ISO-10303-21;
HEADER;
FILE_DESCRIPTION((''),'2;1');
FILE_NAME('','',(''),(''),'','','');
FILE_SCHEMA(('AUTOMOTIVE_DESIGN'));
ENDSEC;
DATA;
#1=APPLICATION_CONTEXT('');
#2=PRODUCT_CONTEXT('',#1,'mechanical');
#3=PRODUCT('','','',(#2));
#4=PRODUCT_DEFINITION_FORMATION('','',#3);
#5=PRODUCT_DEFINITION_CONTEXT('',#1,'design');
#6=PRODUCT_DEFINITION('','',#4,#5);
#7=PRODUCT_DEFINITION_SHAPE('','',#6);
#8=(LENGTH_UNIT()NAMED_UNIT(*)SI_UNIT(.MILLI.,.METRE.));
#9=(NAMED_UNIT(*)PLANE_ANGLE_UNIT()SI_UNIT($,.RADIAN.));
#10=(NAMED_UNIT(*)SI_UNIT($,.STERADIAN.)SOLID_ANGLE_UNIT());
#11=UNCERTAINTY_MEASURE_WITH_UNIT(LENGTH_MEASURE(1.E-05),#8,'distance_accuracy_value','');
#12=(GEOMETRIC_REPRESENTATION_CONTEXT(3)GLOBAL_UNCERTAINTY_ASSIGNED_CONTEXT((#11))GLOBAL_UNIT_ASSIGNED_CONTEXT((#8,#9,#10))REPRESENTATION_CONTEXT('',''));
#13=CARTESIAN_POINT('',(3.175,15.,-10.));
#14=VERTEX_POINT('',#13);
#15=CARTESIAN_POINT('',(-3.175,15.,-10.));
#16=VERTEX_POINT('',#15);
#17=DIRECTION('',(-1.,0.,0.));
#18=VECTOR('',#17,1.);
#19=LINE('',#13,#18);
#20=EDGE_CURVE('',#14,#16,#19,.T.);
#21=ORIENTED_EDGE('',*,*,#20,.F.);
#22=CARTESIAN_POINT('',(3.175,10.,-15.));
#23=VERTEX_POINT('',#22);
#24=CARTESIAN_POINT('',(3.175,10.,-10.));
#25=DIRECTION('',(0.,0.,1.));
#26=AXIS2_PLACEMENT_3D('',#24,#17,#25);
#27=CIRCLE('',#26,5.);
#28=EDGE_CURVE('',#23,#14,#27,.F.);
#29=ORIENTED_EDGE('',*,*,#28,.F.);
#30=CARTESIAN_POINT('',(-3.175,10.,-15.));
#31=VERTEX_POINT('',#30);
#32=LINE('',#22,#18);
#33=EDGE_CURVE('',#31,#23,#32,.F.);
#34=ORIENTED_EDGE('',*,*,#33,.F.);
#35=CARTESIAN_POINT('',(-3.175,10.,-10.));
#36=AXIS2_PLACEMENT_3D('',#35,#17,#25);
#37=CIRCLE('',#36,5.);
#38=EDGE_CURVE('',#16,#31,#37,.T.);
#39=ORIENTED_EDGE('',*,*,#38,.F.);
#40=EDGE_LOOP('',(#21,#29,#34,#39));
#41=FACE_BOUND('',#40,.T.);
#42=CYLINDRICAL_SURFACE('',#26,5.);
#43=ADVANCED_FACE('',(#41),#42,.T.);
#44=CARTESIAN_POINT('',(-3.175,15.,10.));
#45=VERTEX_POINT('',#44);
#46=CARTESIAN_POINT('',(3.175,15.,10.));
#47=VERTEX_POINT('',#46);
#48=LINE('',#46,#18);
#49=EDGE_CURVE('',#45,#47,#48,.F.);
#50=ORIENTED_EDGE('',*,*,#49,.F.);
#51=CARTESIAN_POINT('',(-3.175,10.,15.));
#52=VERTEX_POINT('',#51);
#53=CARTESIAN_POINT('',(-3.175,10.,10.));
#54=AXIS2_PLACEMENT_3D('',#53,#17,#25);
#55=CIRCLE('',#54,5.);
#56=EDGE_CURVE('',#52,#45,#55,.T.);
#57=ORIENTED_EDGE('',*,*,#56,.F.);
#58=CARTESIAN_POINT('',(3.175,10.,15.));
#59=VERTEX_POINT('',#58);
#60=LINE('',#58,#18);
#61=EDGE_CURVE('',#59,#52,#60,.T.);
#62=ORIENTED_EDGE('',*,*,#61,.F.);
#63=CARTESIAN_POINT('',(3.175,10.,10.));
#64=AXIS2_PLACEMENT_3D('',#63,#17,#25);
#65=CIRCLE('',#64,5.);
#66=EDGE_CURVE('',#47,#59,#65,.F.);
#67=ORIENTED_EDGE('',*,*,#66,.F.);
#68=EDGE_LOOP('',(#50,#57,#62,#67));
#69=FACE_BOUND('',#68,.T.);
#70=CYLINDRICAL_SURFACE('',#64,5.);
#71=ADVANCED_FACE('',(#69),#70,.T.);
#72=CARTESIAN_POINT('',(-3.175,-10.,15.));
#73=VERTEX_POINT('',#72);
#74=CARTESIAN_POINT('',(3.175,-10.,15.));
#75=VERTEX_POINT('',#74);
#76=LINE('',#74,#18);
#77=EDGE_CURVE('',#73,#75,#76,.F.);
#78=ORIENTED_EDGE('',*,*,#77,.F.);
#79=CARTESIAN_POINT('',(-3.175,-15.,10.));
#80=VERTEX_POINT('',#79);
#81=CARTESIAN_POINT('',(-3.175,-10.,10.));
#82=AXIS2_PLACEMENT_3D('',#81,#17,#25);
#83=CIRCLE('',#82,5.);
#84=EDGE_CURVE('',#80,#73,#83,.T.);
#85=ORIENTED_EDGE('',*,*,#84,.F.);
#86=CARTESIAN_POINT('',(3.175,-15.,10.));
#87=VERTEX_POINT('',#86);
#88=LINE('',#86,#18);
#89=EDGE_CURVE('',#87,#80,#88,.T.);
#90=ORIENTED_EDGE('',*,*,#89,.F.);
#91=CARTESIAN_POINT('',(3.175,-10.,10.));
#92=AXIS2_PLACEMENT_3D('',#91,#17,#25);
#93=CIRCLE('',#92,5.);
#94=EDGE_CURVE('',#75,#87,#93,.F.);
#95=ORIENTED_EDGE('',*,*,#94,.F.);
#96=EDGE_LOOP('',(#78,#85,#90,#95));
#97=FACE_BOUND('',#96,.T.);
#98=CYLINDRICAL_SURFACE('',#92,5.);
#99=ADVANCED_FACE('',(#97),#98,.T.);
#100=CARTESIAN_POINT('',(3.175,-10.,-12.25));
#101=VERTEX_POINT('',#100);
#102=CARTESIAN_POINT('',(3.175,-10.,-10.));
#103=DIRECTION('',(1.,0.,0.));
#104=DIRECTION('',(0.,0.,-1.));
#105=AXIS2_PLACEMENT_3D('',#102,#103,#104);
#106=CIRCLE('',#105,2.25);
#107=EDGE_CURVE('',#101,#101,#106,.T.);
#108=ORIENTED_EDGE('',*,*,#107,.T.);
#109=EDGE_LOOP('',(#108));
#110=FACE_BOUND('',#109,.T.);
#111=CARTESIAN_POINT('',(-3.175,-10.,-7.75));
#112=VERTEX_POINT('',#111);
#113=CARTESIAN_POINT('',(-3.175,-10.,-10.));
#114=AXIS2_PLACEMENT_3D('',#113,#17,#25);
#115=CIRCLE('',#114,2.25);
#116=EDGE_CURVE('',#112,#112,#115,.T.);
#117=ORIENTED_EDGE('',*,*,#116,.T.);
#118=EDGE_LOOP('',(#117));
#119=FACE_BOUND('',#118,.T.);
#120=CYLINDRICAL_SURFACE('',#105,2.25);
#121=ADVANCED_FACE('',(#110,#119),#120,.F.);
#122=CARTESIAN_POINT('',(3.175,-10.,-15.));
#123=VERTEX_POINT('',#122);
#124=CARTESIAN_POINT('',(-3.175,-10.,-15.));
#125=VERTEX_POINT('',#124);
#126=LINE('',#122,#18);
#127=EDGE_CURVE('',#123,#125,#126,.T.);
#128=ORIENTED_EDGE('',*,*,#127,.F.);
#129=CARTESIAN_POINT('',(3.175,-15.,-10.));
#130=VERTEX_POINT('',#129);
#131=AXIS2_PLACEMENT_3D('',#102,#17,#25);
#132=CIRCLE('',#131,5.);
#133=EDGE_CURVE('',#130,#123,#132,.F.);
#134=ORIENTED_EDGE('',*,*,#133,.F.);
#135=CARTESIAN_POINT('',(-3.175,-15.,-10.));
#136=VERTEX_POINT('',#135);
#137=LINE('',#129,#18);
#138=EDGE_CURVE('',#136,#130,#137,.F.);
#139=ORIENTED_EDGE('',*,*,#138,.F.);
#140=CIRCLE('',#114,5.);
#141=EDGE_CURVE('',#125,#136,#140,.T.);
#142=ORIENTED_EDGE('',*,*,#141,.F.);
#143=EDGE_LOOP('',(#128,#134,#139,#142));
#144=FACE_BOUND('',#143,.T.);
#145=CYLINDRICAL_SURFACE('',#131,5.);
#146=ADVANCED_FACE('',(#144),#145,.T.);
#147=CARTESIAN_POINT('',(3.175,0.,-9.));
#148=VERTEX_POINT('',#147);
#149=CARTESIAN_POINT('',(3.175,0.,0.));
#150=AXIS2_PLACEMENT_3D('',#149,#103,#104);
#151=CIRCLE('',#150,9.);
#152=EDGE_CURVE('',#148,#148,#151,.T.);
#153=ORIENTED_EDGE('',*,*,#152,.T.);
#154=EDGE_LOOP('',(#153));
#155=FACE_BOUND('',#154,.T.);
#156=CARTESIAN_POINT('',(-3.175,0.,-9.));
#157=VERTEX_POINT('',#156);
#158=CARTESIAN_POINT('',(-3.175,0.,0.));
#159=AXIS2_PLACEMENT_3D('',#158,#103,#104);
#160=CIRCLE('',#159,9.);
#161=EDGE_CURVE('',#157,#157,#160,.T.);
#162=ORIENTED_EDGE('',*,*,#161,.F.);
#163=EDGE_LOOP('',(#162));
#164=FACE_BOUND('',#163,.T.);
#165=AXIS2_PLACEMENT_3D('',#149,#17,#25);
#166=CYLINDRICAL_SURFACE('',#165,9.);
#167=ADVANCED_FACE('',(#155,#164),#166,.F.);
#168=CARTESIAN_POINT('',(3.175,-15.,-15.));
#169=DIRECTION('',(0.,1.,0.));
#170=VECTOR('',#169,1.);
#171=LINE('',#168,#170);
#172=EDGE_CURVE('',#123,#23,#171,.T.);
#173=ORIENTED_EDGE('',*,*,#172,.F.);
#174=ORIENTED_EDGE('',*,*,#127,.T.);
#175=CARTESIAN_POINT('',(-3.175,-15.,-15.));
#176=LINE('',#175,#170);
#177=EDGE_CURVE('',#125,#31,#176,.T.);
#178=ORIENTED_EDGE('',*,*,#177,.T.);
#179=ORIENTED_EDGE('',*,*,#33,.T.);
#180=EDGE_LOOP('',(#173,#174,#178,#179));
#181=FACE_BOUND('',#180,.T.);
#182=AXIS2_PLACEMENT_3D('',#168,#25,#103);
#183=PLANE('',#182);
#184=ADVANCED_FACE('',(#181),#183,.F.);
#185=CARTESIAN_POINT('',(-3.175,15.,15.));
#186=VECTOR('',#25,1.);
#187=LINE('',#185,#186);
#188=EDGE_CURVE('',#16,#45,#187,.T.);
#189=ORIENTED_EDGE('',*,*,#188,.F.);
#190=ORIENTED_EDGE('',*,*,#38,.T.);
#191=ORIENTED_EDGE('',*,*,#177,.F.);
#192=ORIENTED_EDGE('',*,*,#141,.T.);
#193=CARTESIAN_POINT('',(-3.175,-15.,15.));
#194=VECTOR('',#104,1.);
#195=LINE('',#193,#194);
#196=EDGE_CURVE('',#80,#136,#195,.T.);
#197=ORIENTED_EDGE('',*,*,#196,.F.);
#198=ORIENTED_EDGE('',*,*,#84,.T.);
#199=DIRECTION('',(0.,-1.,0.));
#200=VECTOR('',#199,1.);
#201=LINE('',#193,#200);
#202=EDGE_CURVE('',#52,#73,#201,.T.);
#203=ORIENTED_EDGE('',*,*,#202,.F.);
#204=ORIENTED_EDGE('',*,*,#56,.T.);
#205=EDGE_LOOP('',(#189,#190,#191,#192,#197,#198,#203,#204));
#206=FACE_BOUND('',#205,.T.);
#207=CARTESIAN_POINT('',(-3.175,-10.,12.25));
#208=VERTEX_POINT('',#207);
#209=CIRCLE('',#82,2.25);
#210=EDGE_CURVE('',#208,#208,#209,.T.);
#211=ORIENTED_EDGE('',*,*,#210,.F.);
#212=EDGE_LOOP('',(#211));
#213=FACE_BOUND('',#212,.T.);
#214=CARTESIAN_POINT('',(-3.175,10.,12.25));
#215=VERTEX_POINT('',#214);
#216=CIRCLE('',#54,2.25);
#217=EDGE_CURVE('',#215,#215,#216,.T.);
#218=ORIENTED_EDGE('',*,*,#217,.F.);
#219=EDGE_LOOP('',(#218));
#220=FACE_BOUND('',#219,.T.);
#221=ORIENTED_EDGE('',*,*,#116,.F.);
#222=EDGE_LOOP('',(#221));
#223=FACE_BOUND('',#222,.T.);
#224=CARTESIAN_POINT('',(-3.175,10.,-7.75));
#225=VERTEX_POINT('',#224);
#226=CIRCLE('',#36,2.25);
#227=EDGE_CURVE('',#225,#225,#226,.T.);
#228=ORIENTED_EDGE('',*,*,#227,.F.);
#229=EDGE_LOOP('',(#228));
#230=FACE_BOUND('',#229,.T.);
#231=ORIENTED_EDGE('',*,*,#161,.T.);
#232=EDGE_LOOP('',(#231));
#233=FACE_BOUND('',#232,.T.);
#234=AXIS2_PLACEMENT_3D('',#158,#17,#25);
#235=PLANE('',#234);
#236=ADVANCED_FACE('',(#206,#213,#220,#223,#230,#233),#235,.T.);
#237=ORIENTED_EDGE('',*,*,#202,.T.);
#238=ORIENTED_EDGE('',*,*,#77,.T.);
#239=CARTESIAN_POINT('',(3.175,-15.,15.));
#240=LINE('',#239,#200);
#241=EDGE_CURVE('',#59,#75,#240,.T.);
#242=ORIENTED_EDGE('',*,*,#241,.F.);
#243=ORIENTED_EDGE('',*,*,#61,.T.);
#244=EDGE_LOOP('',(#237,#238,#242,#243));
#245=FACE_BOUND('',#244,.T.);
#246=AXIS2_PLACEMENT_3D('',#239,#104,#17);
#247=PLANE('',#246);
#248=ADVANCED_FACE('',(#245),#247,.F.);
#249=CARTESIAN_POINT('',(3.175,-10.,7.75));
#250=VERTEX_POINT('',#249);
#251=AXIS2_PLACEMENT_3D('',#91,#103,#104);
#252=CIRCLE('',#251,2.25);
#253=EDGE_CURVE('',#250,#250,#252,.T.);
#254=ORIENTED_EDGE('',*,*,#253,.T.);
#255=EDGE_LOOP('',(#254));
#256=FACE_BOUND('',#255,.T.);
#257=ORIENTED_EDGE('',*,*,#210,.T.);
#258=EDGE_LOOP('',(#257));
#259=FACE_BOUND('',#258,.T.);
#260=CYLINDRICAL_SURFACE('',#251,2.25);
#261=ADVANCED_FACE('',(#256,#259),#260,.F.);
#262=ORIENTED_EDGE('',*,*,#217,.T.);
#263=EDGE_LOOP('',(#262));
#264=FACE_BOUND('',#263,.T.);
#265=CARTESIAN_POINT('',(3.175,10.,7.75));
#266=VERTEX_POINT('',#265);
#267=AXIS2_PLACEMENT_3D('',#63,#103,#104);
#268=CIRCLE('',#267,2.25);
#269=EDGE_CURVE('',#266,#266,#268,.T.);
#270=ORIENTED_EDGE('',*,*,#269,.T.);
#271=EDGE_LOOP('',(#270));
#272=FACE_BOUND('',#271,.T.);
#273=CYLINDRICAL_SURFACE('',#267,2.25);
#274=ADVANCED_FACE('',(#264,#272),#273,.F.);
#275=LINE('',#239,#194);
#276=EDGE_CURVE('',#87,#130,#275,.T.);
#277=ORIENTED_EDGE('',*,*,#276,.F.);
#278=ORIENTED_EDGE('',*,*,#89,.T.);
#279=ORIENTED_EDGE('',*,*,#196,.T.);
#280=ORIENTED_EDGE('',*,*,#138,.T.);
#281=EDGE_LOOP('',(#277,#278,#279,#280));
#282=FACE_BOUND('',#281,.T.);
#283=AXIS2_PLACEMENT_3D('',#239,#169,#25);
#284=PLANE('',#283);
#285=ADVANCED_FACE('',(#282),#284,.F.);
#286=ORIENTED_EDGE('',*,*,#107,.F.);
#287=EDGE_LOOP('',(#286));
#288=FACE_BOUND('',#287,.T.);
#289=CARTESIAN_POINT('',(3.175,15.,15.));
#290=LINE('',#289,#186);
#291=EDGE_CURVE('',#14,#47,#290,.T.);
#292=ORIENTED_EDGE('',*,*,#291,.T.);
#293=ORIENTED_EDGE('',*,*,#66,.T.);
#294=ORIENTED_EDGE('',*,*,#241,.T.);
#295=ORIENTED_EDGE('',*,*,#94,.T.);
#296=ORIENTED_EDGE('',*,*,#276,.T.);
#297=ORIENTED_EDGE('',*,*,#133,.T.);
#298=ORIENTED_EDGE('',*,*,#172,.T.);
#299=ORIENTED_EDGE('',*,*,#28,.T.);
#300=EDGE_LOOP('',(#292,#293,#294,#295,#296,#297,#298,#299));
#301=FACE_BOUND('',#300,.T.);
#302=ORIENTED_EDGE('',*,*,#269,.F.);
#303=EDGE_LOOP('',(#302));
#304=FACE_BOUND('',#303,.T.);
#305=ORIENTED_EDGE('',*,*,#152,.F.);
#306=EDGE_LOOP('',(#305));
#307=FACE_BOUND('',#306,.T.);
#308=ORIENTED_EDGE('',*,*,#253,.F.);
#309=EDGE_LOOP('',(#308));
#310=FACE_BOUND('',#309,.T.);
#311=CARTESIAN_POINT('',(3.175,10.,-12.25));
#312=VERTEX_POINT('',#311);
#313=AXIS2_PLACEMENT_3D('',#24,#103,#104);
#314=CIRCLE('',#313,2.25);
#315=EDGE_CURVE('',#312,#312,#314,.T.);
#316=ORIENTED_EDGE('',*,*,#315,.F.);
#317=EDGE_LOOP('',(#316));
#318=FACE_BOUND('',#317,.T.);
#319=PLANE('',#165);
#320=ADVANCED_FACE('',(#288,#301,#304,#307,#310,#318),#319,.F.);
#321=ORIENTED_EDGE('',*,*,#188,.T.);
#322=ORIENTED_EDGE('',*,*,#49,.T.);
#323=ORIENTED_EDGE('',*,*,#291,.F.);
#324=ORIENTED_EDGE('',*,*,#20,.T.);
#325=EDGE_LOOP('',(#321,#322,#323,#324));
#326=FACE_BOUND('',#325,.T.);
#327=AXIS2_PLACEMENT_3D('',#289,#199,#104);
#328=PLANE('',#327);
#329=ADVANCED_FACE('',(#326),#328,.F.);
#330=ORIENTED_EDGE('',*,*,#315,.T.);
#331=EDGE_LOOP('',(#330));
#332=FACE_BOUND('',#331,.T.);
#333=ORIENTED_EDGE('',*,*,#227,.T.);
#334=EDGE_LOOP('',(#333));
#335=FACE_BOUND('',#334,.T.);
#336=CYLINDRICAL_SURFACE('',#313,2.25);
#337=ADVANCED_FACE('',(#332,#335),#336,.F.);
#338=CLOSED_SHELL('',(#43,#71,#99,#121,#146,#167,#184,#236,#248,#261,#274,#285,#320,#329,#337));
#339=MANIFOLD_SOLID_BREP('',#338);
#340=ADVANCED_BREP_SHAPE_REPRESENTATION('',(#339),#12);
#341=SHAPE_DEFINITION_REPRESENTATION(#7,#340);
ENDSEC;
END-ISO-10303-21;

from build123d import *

# Parameters (mm, degrees)
CROQUIS1_W                   = 30
CROQUIS1_H                   = 30
CROQUIS1_R                   = 9
SALIENTE_EXTRUIR1_DEPTH      = 3.175
TALADRO_DE_MARGEN_PARA_M41_D = 4.5
REDONDEO1_R                  = 5


with BuildPart() as part:
    # Croquis1 → Saliente-Extruir1 (new, symmetric)
    with BuildSketch(Plane(origin=(0, 0, 0), x_dir=(0, 0, -1), z_dir=(1, 0, 0))):
        Rectangle(CROQUIS1_W, CROQUIS1_H)
        Circle(CROQUIS1_R, mode=Mode.SUBTRACT)
    extrude(amount=SALIENTE_EXTRUIR1_DEPTH, both=True)

    # Taladro de margen para M41 (through all)
    with Locations(Plane(origin=(3.175, 0, 0), x_dir=(0, 0, -1), z_dir=(1, 0, 0))):
        with Locations((-10, 10), (-10, -10), (10, -10), (10, 10)):
            Hole(TALADRO_DE_MARGEN_PARA_M41_D / 2)

    # Redondeo1
    redondeo1_edges = [part.edges().sort_by_distance(p)[0] for p in [
        (0, -15, -15),
        (0, -15, 15),
        (0, 15, 15),
        (0, 15, -15),
    ]]
    fillet(redondeo1_edges, radius=REDONDEO1_R)


solid = part.part
